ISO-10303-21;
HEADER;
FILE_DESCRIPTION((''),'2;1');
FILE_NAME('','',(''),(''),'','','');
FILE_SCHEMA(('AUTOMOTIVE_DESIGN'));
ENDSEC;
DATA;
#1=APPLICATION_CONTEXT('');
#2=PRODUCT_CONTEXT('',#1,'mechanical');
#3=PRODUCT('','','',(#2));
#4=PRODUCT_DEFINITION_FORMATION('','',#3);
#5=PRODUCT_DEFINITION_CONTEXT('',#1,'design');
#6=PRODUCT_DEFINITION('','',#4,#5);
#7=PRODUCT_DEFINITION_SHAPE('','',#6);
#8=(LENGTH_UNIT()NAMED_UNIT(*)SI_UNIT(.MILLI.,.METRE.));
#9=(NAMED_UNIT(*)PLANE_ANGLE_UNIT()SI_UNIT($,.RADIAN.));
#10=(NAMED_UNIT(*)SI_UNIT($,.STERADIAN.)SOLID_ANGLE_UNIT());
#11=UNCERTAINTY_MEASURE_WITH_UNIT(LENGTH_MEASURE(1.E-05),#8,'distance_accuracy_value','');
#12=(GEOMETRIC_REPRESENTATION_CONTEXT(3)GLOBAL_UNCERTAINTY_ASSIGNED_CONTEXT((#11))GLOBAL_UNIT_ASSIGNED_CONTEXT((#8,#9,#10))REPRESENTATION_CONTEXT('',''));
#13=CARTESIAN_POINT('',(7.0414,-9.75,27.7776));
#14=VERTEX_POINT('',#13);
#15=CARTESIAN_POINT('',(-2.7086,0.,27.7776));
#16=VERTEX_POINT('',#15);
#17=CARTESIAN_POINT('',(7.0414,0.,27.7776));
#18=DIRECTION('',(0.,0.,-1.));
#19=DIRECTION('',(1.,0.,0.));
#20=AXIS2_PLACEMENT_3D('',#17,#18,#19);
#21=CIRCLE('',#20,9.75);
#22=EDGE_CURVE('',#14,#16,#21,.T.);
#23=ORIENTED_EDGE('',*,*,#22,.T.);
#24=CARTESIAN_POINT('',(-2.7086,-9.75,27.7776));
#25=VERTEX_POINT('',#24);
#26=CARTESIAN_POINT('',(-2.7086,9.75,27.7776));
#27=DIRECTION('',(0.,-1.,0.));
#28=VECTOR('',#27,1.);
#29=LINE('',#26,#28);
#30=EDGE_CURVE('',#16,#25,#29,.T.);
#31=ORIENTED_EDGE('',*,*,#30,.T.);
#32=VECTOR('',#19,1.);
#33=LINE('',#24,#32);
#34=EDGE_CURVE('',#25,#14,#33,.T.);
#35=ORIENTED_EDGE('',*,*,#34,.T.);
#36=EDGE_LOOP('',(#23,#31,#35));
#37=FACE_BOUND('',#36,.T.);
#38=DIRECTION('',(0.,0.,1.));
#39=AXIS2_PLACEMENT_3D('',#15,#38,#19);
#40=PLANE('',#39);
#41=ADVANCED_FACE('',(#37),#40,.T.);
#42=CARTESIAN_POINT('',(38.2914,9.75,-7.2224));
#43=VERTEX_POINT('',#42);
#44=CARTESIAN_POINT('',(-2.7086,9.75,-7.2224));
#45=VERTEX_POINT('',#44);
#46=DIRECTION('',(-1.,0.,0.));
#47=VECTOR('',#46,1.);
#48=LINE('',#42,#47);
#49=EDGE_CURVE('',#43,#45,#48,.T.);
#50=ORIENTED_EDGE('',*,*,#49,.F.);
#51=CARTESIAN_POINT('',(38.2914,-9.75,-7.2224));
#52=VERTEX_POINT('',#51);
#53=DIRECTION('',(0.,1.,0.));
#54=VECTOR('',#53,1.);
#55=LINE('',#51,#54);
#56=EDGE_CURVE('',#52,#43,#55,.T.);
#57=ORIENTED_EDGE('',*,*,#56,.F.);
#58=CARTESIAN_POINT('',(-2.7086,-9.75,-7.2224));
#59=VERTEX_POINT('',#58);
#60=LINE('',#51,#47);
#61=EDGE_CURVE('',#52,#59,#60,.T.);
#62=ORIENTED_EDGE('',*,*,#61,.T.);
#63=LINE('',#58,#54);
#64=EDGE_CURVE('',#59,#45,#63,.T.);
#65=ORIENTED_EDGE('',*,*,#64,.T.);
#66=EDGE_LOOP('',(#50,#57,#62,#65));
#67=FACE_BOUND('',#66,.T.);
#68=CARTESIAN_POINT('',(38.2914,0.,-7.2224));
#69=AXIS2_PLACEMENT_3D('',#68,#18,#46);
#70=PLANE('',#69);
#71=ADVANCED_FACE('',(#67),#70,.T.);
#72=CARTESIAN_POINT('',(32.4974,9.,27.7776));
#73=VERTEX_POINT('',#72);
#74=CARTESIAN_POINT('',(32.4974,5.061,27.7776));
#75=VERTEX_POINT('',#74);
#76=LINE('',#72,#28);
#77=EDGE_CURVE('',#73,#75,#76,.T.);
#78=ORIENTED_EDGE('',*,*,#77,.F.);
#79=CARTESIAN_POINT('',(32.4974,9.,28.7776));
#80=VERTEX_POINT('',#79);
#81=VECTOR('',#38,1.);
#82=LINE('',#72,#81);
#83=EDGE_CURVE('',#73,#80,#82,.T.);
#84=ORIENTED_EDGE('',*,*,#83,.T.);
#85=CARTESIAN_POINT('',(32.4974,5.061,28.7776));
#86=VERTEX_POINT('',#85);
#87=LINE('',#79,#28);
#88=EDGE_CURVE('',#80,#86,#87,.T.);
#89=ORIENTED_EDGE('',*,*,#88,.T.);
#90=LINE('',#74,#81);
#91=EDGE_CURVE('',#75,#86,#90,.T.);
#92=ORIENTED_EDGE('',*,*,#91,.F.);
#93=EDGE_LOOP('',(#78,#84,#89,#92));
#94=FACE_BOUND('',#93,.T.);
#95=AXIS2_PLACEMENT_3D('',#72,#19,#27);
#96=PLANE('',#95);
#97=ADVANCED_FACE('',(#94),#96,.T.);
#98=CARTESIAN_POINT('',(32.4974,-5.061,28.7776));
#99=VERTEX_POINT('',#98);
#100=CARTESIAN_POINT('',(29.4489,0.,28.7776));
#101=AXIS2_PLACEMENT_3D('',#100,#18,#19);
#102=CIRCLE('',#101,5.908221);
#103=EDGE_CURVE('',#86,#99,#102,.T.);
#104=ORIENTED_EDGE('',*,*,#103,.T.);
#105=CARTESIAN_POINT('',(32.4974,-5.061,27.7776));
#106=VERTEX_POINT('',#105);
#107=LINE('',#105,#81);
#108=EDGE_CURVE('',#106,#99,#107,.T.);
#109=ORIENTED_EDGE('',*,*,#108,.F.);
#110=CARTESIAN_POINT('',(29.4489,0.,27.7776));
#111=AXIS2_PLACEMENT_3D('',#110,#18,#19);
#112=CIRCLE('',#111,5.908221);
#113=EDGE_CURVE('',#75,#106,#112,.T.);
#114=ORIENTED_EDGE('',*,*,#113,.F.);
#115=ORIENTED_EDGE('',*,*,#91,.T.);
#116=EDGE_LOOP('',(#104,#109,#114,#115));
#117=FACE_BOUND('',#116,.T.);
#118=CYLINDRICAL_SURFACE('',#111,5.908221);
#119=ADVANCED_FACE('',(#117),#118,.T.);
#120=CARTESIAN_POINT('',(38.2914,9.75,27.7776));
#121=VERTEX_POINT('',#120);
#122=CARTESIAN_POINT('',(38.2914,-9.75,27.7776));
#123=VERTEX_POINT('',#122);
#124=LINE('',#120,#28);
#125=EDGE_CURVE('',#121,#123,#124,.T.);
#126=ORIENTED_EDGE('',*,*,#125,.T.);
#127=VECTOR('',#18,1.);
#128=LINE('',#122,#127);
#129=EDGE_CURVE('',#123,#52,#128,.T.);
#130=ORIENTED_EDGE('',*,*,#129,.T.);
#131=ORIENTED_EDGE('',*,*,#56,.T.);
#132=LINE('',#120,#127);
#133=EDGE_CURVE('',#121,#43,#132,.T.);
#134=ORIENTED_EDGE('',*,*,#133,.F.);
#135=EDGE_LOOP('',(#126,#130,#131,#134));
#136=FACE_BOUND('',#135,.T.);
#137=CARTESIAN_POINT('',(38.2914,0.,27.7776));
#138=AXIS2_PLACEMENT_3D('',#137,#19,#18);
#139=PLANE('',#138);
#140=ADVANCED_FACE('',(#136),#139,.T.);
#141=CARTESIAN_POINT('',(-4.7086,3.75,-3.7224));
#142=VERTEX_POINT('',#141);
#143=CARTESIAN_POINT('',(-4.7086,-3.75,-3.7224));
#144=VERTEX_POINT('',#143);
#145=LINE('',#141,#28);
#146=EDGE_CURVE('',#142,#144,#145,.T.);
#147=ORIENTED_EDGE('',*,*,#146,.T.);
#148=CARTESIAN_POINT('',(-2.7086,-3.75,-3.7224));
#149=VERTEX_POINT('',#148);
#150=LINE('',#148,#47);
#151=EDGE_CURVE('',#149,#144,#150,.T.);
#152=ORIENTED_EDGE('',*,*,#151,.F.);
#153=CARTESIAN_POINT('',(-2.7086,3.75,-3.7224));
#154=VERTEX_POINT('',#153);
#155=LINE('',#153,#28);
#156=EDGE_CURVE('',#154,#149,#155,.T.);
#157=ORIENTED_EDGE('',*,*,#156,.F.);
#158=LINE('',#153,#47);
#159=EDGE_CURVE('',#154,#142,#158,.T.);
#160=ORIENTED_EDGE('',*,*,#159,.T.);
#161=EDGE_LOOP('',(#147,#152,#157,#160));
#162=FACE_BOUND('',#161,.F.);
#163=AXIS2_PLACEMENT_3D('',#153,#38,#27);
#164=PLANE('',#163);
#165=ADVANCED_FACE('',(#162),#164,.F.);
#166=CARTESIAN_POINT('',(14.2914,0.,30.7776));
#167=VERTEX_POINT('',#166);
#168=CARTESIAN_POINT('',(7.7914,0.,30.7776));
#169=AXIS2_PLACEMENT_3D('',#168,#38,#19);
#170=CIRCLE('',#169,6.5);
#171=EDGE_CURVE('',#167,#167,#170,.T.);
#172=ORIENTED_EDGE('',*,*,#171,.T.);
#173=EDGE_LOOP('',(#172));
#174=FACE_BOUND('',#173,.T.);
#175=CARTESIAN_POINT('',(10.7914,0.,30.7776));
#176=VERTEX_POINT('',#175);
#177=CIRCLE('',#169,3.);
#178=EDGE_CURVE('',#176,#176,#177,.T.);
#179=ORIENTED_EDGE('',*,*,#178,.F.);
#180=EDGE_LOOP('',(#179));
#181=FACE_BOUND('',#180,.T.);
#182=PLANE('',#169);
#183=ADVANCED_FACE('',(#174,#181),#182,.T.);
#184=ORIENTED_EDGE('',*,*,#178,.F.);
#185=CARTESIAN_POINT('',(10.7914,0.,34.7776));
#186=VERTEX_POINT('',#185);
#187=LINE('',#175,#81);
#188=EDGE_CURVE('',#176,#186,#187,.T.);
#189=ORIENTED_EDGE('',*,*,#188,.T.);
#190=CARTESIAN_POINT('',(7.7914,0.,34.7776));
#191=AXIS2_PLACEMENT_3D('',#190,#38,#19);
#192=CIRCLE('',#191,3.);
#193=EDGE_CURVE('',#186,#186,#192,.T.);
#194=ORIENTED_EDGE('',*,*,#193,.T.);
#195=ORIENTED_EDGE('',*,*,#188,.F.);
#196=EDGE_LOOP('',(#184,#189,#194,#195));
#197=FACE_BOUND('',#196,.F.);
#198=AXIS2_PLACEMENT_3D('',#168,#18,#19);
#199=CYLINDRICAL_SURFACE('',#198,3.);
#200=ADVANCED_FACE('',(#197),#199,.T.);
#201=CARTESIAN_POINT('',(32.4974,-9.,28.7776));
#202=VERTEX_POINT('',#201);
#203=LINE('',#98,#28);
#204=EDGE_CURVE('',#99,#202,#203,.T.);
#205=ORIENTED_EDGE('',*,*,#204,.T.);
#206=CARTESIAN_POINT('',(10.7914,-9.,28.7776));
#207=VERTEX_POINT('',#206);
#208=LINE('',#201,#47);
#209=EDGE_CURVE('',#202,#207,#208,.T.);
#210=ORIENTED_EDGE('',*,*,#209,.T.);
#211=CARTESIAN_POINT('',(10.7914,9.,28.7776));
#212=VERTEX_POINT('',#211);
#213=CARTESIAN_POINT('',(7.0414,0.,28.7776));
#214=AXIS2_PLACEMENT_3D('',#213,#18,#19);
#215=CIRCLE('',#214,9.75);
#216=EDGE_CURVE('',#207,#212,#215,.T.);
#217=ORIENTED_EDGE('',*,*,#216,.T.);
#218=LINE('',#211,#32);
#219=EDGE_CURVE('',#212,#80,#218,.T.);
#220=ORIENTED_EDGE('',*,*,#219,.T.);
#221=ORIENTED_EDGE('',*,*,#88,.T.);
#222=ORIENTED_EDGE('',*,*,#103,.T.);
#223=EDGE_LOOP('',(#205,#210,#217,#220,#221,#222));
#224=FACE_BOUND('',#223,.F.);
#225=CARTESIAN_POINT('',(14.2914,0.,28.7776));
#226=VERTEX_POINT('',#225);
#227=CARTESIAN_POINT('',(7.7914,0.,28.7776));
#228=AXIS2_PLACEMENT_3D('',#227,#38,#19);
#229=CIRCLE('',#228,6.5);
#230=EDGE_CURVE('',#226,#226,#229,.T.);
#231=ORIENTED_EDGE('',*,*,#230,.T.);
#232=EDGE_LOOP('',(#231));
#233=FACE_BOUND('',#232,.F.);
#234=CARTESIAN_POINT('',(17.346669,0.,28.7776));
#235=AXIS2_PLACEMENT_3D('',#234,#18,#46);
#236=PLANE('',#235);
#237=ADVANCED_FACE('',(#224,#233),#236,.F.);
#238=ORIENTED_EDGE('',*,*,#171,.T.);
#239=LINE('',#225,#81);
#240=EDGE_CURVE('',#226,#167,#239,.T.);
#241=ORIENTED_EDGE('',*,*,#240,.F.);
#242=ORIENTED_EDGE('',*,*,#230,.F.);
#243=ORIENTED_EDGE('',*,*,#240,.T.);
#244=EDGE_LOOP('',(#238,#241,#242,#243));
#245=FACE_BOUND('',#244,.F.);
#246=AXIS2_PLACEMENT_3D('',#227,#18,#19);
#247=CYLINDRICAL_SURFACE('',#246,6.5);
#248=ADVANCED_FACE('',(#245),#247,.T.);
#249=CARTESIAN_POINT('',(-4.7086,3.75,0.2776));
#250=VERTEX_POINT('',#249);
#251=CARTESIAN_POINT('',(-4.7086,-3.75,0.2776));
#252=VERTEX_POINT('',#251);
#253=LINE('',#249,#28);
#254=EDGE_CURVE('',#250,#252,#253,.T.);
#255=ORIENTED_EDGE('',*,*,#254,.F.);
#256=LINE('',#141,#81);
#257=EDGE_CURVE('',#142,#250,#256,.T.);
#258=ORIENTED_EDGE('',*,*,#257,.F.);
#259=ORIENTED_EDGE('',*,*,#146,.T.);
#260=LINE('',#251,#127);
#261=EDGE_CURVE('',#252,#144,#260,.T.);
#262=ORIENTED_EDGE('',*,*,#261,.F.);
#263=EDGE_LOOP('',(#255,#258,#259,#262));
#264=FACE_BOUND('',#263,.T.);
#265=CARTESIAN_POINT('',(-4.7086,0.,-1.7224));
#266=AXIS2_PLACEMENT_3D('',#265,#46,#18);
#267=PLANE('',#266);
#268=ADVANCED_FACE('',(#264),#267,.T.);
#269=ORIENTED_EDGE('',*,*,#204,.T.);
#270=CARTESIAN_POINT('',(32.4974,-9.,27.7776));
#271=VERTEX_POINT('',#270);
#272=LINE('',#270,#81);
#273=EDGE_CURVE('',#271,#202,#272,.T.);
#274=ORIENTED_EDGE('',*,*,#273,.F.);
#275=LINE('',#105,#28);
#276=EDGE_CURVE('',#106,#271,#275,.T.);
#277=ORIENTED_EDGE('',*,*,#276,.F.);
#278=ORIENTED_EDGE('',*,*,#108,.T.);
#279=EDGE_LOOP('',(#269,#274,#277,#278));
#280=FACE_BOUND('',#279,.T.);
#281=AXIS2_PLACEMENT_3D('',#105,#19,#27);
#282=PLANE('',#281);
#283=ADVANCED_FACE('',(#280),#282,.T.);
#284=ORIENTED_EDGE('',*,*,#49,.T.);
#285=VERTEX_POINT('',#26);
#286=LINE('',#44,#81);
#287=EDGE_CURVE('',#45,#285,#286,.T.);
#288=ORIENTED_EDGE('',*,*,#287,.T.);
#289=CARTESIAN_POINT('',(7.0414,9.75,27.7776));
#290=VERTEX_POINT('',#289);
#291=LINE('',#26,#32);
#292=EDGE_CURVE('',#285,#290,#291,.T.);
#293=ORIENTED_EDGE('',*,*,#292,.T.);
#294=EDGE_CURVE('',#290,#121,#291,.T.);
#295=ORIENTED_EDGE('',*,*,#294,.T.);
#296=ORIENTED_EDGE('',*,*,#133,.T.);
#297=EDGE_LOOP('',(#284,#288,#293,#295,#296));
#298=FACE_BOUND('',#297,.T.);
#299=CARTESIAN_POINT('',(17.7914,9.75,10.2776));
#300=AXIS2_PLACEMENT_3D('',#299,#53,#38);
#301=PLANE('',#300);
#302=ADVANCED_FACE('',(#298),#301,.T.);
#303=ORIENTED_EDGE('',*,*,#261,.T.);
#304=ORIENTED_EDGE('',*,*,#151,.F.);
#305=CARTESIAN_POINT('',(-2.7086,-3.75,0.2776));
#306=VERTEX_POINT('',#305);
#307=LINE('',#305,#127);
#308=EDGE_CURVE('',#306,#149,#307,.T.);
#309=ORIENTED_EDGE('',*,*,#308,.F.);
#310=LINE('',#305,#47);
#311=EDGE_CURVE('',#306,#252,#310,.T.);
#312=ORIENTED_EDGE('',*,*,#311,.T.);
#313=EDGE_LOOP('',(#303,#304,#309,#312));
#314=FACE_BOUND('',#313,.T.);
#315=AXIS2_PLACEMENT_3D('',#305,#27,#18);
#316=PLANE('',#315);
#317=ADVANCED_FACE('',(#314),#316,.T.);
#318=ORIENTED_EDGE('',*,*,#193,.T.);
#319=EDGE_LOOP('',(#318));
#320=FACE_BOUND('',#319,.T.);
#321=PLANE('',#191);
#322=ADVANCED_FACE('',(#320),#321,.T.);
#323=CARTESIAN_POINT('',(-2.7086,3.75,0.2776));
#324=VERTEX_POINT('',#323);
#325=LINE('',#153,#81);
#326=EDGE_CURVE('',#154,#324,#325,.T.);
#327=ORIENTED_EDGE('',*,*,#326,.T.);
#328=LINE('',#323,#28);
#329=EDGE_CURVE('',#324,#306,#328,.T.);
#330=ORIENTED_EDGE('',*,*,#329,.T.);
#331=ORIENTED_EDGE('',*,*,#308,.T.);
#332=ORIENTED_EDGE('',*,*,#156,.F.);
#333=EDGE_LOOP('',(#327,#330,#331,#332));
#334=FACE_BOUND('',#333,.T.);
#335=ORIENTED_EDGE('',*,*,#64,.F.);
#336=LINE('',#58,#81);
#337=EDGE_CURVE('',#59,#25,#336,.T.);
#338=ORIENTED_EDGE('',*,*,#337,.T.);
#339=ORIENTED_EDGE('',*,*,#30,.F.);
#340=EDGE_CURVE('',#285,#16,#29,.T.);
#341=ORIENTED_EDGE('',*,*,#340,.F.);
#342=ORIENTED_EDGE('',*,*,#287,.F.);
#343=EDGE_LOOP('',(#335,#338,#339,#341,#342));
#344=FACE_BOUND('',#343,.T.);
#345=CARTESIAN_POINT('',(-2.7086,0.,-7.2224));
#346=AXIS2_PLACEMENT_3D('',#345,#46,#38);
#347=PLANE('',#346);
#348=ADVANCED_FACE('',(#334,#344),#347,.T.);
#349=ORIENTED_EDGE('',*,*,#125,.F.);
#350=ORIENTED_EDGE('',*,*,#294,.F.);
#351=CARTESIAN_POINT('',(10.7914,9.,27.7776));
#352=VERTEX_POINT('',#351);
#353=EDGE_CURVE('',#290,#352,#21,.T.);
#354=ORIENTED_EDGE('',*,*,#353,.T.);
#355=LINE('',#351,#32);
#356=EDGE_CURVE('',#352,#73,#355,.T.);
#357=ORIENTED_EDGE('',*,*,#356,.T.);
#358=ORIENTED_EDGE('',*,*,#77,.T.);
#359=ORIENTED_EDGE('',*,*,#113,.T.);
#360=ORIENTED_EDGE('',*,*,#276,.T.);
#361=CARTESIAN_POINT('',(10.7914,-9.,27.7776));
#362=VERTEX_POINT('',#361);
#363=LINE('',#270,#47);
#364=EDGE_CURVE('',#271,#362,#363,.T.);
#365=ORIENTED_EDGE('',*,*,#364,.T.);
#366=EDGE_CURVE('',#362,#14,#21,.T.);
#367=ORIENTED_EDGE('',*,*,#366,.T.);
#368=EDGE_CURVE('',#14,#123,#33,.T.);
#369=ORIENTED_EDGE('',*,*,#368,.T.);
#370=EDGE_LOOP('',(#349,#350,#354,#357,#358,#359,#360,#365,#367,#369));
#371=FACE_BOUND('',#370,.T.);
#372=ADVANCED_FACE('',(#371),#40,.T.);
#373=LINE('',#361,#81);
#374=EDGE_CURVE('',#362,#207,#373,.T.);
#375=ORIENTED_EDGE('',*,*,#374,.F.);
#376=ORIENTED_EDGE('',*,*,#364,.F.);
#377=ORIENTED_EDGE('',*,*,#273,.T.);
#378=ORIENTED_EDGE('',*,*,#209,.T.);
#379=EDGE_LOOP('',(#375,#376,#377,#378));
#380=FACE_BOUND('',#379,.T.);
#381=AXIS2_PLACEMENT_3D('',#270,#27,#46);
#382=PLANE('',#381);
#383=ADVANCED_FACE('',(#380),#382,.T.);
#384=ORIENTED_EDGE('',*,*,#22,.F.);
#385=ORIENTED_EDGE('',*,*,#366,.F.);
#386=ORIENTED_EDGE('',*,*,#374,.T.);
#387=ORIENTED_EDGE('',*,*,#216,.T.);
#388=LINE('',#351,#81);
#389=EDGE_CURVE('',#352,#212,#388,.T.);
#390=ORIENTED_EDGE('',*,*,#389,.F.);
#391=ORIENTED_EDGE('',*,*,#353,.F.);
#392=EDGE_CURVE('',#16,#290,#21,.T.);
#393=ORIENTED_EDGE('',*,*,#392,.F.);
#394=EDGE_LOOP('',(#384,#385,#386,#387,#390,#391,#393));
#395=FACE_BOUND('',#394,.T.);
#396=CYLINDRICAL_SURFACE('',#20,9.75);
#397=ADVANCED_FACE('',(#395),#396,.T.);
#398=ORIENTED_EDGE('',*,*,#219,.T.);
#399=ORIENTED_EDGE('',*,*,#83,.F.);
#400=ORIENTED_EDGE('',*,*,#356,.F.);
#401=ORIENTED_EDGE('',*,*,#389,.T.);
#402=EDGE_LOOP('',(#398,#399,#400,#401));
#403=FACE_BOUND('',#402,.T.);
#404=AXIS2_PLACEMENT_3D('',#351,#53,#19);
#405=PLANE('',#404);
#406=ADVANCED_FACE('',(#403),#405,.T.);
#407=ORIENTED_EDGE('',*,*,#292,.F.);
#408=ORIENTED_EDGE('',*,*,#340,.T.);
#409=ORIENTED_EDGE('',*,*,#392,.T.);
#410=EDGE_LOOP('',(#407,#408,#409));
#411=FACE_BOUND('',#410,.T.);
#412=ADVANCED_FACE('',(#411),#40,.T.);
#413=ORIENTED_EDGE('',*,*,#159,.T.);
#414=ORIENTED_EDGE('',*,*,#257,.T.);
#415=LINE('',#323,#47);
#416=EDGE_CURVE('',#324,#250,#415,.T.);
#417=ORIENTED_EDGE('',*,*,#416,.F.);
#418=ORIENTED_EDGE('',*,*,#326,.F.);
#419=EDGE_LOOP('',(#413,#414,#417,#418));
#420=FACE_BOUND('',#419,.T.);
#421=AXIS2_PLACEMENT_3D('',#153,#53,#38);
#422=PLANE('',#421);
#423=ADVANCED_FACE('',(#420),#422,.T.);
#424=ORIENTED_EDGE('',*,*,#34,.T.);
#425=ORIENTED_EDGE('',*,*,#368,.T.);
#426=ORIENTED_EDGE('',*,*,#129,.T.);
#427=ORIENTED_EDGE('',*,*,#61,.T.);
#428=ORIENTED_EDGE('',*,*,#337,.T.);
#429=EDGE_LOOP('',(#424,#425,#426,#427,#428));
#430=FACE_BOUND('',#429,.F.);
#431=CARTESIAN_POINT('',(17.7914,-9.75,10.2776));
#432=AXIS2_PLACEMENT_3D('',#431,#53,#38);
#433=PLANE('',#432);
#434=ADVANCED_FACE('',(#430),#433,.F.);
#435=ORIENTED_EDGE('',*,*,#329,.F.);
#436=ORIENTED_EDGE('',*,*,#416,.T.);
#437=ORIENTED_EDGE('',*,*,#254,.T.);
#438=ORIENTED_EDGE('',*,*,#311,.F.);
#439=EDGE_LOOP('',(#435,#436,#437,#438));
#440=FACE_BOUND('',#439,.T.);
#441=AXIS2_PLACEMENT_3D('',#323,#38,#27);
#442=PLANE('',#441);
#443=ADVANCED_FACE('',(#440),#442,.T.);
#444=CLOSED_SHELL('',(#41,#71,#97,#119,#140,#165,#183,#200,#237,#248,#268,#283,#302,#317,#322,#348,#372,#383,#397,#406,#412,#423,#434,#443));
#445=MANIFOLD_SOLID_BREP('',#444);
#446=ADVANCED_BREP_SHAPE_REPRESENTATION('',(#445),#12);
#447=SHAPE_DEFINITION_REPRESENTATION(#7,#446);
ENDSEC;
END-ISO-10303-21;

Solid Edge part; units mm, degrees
sketch "Sketch1" plane through (0, 0, 0) normal (0, -1, 0) x (1, 0, 0)
  line L0 (38.2914, 27.7776) -> (38.2914, -7.2224)
  line L1 (38.2914, -7.2224) -> (-2.7086, -7.2224)
  line L2 (-2.7086, -7.2224) -> (-2.7086, 27.7776)
  line L3 (-2.7086, 27.7776) -> (38.2914, 27.7776)
  dimension "D1" = 41
  dimension "D2" = 35
extrude "Protrusion1" add sketch "Sketch1" along normal mid plane 19.5
sketch "Sketch2" plane through (17.7914, 0, 27.7776) normal (0, 0, 1) x (1, 0, 0)
  line L0 (-7, 9) -> (14.706, 9)
  line L1 (14.706, 9) -> (14.706, 5.061)
  line L2 (14.706, -5.061) -> (14.706, -9)
  line L3 (14.706, -9) -> (-7, -9)
  arc A0 (-7, -9) -> (-7, 9) centre (-10.75, 0) cw
  arc A1 (14.706, 5.061) -> (14.706, -5.061) centre (11.6575, 0) cw
  dimension "D1" = 19.5
  dimension "D2" = 3.939
extrude "ProtrusiónExtruida_3" add sketch "Sketch2" along normal blind 1
sketch "Sketch3" plane through (16.3242, 0, 28.7776) normal (0, 0, 1) x (1, 0, 0)
  circle A0 centre (-8.5328, 0) radius 6.5
  dimension "D1" = 10.5
  dimension "D2" = 13
extrude "ProtrusiónExtruida_4" add sketch "Sketch3" along normal blind 2
sketch "Sketch4" plane through (7.7914, 0, 30.7776) normal (0, 0, 1) x (1, 0, 0)
  circle A0 centre (0, 0) radius 3
extrude "ProtrusiónExtruida_5" add sketch "Sketch4" along normal blind 4
sketch "Sketch5" plane through (-2.7086, 0, 10.2776) normal (-1, 0, 0) x (0, 0, 1)
  line L0 (-14, 3.75) -> (-14, -3.75)
  line L1 (-10, -3.75) -> (-14, -3.75)
  line L2 (-10, 3.75) -> (-10, -3.75)
  line L3 (-14, 3.75) -> (-10, 3.75)
  dimension "D1" = 3.5
  dimension "D2" = 7.5
  dimension "D3" = 4
extrude "ProtrusiónExtruida_6" add sketch "Sketch5" along normal blind 2
properties material "Servo"
